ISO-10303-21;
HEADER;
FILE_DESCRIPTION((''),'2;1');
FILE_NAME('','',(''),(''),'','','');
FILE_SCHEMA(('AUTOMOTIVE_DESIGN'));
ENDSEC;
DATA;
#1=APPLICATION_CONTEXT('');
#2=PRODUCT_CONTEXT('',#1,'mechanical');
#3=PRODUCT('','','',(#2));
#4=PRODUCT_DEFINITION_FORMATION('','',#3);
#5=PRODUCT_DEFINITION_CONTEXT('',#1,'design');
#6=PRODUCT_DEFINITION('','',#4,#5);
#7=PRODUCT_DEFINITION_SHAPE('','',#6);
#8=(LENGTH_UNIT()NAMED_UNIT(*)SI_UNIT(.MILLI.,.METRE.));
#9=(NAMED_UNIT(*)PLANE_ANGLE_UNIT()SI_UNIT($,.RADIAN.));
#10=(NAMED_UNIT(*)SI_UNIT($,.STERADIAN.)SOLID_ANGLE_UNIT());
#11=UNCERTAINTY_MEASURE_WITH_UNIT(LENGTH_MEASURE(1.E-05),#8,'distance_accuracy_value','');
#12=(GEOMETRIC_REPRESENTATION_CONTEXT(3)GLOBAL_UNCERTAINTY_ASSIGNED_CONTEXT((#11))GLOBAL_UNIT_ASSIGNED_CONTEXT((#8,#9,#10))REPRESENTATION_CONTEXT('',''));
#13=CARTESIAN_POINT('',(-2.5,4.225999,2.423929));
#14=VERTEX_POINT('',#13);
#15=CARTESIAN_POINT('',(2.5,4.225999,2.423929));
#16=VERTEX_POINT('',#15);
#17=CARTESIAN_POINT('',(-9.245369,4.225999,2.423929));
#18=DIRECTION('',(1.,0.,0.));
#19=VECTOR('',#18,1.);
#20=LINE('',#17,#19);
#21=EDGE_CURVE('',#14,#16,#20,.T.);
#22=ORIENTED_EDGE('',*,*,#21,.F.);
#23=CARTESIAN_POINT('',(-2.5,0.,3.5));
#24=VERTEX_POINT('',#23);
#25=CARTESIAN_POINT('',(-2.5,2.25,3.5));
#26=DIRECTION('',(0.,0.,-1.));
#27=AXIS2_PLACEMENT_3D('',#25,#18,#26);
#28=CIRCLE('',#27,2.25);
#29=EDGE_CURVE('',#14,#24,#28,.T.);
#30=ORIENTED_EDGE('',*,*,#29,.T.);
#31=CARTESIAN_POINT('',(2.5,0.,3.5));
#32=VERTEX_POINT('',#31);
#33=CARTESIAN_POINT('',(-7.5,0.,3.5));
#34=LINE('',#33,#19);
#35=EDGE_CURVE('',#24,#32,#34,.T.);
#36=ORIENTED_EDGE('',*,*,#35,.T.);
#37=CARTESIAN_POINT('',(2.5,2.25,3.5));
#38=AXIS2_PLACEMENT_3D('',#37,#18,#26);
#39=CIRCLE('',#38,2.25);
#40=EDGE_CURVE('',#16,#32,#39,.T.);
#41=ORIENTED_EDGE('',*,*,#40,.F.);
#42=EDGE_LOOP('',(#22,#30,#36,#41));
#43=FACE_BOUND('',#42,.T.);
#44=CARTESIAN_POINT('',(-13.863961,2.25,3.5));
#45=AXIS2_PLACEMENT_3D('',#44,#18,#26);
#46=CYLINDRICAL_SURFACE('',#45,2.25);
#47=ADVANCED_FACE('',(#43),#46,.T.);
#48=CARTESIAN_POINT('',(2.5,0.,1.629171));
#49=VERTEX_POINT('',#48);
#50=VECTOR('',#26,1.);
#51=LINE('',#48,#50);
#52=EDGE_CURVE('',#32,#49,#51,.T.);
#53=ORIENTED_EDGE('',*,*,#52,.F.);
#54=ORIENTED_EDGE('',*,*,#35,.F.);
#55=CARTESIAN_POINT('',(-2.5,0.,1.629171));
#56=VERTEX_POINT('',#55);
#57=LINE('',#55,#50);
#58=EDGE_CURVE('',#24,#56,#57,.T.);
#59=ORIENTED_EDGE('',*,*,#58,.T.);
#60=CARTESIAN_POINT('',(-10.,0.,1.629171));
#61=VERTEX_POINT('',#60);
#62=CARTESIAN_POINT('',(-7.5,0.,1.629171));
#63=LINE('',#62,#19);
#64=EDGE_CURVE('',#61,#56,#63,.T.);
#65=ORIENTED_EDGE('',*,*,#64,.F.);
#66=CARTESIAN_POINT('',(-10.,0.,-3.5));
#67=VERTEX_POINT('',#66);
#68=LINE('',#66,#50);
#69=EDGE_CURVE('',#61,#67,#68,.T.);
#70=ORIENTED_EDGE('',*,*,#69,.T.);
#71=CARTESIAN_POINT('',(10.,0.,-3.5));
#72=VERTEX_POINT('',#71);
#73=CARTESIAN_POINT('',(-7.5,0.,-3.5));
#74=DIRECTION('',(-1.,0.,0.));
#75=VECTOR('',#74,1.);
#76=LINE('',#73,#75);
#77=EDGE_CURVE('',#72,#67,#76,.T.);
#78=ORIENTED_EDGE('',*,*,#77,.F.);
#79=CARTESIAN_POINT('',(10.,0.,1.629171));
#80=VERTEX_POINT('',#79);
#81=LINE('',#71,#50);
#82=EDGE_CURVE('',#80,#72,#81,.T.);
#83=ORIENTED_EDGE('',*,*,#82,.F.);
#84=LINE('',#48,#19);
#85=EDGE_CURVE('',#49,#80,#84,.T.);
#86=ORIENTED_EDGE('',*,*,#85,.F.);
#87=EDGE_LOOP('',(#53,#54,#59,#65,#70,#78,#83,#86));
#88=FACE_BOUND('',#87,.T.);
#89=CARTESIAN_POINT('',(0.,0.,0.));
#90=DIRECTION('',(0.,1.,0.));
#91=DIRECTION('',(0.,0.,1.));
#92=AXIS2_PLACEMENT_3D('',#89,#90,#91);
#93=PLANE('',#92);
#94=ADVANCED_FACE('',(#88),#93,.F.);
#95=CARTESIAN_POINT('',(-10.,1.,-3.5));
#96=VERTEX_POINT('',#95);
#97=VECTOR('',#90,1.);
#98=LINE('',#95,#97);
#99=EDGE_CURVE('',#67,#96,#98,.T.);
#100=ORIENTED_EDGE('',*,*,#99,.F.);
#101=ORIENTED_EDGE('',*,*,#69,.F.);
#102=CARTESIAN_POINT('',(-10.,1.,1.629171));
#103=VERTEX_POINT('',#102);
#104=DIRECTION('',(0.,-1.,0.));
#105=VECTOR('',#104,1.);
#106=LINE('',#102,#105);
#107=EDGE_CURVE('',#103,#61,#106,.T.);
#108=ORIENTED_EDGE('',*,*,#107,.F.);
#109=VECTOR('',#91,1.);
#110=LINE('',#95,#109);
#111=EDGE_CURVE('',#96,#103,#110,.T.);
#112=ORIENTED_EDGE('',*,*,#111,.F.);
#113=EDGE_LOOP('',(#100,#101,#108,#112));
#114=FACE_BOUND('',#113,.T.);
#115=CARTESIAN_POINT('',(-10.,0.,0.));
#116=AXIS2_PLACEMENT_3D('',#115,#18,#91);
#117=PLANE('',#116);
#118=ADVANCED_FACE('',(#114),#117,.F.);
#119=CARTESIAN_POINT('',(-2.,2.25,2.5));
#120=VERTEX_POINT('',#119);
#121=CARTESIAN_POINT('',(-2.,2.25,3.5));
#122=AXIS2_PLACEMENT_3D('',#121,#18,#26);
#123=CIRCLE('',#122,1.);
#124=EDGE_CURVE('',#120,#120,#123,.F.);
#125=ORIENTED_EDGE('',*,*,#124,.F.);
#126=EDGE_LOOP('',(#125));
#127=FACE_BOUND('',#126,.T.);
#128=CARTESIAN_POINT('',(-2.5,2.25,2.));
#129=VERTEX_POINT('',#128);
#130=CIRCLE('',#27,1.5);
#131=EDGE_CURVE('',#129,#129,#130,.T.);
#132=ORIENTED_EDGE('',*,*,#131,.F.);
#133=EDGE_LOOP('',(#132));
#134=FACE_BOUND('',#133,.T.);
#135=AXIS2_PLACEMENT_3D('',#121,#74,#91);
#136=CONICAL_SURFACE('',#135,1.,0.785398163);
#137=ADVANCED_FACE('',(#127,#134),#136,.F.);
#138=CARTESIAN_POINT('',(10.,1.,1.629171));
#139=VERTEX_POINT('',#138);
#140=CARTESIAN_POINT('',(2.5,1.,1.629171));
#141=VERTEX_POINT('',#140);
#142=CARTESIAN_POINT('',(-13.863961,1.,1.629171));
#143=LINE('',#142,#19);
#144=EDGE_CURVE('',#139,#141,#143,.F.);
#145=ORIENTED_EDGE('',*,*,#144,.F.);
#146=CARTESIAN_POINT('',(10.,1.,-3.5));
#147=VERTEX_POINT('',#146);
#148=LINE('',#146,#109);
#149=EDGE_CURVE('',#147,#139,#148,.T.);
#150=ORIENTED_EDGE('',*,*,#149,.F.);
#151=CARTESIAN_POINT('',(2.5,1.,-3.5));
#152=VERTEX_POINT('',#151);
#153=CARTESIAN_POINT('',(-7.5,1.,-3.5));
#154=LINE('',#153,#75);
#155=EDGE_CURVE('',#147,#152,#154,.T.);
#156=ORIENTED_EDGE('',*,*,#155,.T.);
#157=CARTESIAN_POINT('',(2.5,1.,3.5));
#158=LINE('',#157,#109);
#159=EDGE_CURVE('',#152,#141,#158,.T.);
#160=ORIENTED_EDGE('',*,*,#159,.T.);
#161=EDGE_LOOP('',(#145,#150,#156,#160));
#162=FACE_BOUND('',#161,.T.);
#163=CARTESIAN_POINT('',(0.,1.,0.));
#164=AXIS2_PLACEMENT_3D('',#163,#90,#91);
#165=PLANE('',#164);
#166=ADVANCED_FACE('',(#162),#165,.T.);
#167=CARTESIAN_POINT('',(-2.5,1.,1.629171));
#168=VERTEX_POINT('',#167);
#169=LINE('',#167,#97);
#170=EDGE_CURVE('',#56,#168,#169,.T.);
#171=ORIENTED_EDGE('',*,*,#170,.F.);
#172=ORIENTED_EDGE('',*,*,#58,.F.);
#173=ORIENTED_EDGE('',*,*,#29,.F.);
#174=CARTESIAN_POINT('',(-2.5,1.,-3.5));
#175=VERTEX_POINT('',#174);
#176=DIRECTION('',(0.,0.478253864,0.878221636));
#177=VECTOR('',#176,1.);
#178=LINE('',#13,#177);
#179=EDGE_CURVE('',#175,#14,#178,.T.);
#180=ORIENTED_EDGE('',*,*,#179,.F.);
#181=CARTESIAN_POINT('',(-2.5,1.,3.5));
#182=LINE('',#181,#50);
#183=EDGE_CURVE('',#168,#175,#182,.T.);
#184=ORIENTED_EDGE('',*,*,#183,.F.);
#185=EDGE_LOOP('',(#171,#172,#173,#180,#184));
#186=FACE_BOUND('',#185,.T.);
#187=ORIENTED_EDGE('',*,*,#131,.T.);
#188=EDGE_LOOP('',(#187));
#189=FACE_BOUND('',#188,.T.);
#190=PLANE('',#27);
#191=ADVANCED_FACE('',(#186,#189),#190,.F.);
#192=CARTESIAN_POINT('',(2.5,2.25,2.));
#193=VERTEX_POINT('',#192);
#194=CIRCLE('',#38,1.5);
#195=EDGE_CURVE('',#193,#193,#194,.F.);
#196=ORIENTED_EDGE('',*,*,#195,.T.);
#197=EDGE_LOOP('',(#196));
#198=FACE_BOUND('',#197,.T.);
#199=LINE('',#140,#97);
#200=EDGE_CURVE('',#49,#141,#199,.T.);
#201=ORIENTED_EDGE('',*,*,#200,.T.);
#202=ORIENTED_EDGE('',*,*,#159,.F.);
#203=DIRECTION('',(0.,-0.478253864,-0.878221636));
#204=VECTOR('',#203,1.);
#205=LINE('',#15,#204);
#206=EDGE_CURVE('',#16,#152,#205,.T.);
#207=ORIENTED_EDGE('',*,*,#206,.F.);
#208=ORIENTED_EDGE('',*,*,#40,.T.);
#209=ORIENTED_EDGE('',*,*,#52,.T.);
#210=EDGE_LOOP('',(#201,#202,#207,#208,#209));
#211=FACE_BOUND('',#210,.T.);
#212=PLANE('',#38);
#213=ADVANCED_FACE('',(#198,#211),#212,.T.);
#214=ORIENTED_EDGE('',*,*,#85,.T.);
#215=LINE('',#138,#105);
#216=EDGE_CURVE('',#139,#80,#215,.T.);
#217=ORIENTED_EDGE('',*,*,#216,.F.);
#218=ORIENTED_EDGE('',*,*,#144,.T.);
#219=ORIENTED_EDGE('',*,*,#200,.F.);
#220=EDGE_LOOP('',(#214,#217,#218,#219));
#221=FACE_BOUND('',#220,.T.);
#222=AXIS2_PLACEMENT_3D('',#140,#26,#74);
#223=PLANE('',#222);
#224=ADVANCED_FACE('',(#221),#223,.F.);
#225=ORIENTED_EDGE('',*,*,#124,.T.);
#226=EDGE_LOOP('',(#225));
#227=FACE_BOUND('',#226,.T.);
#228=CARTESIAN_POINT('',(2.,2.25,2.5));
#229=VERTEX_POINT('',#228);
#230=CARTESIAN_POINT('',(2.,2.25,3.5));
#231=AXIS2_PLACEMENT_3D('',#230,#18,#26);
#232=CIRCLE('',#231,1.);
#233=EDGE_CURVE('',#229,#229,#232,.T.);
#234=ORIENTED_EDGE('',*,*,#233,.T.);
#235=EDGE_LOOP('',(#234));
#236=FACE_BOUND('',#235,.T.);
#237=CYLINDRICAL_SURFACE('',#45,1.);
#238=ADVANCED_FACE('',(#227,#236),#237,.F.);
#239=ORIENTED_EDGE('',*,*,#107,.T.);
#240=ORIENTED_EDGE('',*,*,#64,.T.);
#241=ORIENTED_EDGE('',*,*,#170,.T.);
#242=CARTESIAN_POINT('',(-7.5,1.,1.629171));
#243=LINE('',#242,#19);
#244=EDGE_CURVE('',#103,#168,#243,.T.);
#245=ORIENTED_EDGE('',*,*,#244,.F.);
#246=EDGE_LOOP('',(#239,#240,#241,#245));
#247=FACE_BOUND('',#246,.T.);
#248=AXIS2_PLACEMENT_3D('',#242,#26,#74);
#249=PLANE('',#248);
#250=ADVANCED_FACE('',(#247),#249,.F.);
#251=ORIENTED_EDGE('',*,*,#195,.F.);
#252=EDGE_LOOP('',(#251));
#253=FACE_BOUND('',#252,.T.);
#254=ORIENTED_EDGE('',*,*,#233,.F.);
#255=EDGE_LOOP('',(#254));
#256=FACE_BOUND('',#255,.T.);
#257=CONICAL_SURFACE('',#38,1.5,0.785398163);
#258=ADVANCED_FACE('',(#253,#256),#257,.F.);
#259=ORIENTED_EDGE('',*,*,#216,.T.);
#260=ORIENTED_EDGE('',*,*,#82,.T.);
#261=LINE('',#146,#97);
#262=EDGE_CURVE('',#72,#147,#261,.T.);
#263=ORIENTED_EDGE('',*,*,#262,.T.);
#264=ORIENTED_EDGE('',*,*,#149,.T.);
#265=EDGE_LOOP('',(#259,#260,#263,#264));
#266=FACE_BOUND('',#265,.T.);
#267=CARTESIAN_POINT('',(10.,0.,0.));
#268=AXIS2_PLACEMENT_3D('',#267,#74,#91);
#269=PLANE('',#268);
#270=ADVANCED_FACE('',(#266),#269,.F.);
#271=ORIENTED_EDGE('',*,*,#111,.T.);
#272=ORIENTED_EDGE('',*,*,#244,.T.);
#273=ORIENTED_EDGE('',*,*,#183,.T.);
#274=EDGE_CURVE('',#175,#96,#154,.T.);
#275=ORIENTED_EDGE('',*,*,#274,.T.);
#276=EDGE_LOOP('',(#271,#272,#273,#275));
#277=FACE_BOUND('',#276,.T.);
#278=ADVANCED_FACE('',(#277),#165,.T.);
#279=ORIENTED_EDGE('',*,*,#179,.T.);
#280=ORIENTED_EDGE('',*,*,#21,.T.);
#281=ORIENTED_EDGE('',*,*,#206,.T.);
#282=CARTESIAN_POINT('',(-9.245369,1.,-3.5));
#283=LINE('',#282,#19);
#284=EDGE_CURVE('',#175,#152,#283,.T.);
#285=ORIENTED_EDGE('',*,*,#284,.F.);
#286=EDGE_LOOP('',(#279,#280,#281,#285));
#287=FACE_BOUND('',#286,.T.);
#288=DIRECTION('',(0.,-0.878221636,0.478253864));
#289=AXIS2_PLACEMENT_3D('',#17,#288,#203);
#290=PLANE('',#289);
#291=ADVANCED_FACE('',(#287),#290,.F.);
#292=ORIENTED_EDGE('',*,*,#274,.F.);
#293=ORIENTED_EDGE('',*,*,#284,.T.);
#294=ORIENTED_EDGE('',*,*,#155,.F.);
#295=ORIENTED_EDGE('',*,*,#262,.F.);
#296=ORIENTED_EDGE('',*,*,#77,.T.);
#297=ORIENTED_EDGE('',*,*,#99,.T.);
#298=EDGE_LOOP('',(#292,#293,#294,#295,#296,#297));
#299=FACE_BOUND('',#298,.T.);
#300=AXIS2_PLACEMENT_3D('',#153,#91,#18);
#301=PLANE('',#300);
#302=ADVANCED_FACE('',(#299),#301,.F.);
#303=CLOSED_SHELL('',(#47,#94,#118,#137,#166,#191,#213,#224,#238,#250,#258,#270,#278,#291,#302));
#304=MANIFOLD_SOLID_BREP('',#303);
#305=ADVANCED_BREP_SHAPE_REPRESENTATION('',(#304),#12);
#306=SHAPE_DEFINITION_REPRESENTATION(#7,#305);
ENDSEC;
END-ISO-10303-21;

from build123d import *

# Parameters (mm, degrees)
SKIZZE2_W                       = 15
SKIZZE2_H                       = 7
AUFSATZ_LINEAR_AUSTRAGEN1_DEPTH = 1
SKIZZE3_R                       = 2.25
SKIZZE3_R_2                     = 1
AUFSATZ_LINEAR_AUSTRAGEN2_DEPTH = 15
SCHNITT_LINEAR_AUSTRAGEN1_DEPTH = 5
LINEARES_MUSTER1_COUNT          = 2
LINEARES_MUSTER1_PITCH          = 10
SKIZZE7_W                       = 5.129171307
SKIZZE7_H                       = 1
VERBREITERUNG_DEPTH             = 2.5
FASE1_SIZE                      = 0.5
AUFSATZ_LINEAR_AUSTRAGEN3_DEPTH = 5


with BuildPart() as part:
    # Skizze2 → Aufsatz-Linear austragen1 (new body)
    with BuildSketch(Plane(origin=(0, 0, 0), x_dir=(1, 0, 0), z_dir=(0, 1, 0))):
        Rectangle(SKIZZE2_W, SKIZZE2_H)
    extrude(amount=AUFSATZ_LINEAR_AUSTRAGEN1_DEPTH)

    # Skizze3 → Aufsatz-Linear austragen2 (add)
    with BuildSketch(Plane(origin=(7.5, 0, 0), x_dir=(0, 0, -1), z_dir=(1, 0, 0))):
        with Locations((-3.5, 2.25)):
            Circle(SKIZZE3_R)
        with Locations((-3.5, 2.25)):
            Circle(SKIZZE3_R_2, mode=Mode.SUBTRACT)
    extrude(amount=-AUFSATZ_LINEAR_AUSTRAGEN2_DEPTH)

    # Skizze5 → Schnitt-Linear austragen1 (cut)
    with BuildSketch(Plane(origin=(7.5, 0, 0), x_dir=(0, 0, -1), z_dir=(1, 0, 0))):
        with BuildLine():
            Line((-1.629171307, 1), (-1.629171307, 0))
            Line((-1.629171307, 0), (-3.5, 0))
            ThreePointArc((-3.5, 0), (-4.560660172, 4.234313483), (-1.629171307, 1))
        make_face()
    schnitt_linear_austragen1 = extrude(amount=-SCHNITT_LINEAR_AUSTRAGEN1_DEPTH, mode=Mode.SUBTRACT)

    # Lineares Muster1: Schnitt-Linear austragen1 ×2
    with Locations(*[(-i * LINEARES_MUSTER1_PITCH, 0, 0) for i in range(1, LINEARES_MUSTER1_COUNT)]):
        add(schnitt_linear_austragen1, mode=Mode.SUBTRACT)

    # Skizze7 → Verbreiterung (add)
    with BuildSketch(Plane(origin=(7.5, 0, 0), x_dir=(0, 0, -1), z_dir=(1, 0, 0))):
        with Locations((0.935414346, 0.5)):
            Rectangle(SKIZZE7_W, SKIZZE7_H)
    verbreiterung = extrude(amount=VERBREITERUNG_DEPTH)

    # Spiegeln1: Verbreiterung across plane
    add(verbreiterung.mirror(Plane(origin=(0, 0, 0), x_dir=(0, 0, 1), z_dir=(1, 0, 0))))

    # Fase1
    fase1_edges = [part.edges().sort_by_distance(p)[0] for p in [
        (2.5, 2.25, 4.5),
        (-2.5, 2.25, 4.5),
    ]]
    chamfer(fase1_edges, length=FASE1_SIZE)

    # Skizze9 → Aufsatz-Linear austragen3 (add)
    with BuildSketch(Plane(origin=(2.5, 0, 0), x_dir=(0, 0, -1), z_dir=(1, 0, 0))):
        Polygon((-1.629171307, 1), (3.5, 1), (-2.423928807, 4.225998681), align=None)
    extrude(amount=-AUFSATZ_LINEAR_AUSTRAGEN3_DEPTH)


solid = part.part
